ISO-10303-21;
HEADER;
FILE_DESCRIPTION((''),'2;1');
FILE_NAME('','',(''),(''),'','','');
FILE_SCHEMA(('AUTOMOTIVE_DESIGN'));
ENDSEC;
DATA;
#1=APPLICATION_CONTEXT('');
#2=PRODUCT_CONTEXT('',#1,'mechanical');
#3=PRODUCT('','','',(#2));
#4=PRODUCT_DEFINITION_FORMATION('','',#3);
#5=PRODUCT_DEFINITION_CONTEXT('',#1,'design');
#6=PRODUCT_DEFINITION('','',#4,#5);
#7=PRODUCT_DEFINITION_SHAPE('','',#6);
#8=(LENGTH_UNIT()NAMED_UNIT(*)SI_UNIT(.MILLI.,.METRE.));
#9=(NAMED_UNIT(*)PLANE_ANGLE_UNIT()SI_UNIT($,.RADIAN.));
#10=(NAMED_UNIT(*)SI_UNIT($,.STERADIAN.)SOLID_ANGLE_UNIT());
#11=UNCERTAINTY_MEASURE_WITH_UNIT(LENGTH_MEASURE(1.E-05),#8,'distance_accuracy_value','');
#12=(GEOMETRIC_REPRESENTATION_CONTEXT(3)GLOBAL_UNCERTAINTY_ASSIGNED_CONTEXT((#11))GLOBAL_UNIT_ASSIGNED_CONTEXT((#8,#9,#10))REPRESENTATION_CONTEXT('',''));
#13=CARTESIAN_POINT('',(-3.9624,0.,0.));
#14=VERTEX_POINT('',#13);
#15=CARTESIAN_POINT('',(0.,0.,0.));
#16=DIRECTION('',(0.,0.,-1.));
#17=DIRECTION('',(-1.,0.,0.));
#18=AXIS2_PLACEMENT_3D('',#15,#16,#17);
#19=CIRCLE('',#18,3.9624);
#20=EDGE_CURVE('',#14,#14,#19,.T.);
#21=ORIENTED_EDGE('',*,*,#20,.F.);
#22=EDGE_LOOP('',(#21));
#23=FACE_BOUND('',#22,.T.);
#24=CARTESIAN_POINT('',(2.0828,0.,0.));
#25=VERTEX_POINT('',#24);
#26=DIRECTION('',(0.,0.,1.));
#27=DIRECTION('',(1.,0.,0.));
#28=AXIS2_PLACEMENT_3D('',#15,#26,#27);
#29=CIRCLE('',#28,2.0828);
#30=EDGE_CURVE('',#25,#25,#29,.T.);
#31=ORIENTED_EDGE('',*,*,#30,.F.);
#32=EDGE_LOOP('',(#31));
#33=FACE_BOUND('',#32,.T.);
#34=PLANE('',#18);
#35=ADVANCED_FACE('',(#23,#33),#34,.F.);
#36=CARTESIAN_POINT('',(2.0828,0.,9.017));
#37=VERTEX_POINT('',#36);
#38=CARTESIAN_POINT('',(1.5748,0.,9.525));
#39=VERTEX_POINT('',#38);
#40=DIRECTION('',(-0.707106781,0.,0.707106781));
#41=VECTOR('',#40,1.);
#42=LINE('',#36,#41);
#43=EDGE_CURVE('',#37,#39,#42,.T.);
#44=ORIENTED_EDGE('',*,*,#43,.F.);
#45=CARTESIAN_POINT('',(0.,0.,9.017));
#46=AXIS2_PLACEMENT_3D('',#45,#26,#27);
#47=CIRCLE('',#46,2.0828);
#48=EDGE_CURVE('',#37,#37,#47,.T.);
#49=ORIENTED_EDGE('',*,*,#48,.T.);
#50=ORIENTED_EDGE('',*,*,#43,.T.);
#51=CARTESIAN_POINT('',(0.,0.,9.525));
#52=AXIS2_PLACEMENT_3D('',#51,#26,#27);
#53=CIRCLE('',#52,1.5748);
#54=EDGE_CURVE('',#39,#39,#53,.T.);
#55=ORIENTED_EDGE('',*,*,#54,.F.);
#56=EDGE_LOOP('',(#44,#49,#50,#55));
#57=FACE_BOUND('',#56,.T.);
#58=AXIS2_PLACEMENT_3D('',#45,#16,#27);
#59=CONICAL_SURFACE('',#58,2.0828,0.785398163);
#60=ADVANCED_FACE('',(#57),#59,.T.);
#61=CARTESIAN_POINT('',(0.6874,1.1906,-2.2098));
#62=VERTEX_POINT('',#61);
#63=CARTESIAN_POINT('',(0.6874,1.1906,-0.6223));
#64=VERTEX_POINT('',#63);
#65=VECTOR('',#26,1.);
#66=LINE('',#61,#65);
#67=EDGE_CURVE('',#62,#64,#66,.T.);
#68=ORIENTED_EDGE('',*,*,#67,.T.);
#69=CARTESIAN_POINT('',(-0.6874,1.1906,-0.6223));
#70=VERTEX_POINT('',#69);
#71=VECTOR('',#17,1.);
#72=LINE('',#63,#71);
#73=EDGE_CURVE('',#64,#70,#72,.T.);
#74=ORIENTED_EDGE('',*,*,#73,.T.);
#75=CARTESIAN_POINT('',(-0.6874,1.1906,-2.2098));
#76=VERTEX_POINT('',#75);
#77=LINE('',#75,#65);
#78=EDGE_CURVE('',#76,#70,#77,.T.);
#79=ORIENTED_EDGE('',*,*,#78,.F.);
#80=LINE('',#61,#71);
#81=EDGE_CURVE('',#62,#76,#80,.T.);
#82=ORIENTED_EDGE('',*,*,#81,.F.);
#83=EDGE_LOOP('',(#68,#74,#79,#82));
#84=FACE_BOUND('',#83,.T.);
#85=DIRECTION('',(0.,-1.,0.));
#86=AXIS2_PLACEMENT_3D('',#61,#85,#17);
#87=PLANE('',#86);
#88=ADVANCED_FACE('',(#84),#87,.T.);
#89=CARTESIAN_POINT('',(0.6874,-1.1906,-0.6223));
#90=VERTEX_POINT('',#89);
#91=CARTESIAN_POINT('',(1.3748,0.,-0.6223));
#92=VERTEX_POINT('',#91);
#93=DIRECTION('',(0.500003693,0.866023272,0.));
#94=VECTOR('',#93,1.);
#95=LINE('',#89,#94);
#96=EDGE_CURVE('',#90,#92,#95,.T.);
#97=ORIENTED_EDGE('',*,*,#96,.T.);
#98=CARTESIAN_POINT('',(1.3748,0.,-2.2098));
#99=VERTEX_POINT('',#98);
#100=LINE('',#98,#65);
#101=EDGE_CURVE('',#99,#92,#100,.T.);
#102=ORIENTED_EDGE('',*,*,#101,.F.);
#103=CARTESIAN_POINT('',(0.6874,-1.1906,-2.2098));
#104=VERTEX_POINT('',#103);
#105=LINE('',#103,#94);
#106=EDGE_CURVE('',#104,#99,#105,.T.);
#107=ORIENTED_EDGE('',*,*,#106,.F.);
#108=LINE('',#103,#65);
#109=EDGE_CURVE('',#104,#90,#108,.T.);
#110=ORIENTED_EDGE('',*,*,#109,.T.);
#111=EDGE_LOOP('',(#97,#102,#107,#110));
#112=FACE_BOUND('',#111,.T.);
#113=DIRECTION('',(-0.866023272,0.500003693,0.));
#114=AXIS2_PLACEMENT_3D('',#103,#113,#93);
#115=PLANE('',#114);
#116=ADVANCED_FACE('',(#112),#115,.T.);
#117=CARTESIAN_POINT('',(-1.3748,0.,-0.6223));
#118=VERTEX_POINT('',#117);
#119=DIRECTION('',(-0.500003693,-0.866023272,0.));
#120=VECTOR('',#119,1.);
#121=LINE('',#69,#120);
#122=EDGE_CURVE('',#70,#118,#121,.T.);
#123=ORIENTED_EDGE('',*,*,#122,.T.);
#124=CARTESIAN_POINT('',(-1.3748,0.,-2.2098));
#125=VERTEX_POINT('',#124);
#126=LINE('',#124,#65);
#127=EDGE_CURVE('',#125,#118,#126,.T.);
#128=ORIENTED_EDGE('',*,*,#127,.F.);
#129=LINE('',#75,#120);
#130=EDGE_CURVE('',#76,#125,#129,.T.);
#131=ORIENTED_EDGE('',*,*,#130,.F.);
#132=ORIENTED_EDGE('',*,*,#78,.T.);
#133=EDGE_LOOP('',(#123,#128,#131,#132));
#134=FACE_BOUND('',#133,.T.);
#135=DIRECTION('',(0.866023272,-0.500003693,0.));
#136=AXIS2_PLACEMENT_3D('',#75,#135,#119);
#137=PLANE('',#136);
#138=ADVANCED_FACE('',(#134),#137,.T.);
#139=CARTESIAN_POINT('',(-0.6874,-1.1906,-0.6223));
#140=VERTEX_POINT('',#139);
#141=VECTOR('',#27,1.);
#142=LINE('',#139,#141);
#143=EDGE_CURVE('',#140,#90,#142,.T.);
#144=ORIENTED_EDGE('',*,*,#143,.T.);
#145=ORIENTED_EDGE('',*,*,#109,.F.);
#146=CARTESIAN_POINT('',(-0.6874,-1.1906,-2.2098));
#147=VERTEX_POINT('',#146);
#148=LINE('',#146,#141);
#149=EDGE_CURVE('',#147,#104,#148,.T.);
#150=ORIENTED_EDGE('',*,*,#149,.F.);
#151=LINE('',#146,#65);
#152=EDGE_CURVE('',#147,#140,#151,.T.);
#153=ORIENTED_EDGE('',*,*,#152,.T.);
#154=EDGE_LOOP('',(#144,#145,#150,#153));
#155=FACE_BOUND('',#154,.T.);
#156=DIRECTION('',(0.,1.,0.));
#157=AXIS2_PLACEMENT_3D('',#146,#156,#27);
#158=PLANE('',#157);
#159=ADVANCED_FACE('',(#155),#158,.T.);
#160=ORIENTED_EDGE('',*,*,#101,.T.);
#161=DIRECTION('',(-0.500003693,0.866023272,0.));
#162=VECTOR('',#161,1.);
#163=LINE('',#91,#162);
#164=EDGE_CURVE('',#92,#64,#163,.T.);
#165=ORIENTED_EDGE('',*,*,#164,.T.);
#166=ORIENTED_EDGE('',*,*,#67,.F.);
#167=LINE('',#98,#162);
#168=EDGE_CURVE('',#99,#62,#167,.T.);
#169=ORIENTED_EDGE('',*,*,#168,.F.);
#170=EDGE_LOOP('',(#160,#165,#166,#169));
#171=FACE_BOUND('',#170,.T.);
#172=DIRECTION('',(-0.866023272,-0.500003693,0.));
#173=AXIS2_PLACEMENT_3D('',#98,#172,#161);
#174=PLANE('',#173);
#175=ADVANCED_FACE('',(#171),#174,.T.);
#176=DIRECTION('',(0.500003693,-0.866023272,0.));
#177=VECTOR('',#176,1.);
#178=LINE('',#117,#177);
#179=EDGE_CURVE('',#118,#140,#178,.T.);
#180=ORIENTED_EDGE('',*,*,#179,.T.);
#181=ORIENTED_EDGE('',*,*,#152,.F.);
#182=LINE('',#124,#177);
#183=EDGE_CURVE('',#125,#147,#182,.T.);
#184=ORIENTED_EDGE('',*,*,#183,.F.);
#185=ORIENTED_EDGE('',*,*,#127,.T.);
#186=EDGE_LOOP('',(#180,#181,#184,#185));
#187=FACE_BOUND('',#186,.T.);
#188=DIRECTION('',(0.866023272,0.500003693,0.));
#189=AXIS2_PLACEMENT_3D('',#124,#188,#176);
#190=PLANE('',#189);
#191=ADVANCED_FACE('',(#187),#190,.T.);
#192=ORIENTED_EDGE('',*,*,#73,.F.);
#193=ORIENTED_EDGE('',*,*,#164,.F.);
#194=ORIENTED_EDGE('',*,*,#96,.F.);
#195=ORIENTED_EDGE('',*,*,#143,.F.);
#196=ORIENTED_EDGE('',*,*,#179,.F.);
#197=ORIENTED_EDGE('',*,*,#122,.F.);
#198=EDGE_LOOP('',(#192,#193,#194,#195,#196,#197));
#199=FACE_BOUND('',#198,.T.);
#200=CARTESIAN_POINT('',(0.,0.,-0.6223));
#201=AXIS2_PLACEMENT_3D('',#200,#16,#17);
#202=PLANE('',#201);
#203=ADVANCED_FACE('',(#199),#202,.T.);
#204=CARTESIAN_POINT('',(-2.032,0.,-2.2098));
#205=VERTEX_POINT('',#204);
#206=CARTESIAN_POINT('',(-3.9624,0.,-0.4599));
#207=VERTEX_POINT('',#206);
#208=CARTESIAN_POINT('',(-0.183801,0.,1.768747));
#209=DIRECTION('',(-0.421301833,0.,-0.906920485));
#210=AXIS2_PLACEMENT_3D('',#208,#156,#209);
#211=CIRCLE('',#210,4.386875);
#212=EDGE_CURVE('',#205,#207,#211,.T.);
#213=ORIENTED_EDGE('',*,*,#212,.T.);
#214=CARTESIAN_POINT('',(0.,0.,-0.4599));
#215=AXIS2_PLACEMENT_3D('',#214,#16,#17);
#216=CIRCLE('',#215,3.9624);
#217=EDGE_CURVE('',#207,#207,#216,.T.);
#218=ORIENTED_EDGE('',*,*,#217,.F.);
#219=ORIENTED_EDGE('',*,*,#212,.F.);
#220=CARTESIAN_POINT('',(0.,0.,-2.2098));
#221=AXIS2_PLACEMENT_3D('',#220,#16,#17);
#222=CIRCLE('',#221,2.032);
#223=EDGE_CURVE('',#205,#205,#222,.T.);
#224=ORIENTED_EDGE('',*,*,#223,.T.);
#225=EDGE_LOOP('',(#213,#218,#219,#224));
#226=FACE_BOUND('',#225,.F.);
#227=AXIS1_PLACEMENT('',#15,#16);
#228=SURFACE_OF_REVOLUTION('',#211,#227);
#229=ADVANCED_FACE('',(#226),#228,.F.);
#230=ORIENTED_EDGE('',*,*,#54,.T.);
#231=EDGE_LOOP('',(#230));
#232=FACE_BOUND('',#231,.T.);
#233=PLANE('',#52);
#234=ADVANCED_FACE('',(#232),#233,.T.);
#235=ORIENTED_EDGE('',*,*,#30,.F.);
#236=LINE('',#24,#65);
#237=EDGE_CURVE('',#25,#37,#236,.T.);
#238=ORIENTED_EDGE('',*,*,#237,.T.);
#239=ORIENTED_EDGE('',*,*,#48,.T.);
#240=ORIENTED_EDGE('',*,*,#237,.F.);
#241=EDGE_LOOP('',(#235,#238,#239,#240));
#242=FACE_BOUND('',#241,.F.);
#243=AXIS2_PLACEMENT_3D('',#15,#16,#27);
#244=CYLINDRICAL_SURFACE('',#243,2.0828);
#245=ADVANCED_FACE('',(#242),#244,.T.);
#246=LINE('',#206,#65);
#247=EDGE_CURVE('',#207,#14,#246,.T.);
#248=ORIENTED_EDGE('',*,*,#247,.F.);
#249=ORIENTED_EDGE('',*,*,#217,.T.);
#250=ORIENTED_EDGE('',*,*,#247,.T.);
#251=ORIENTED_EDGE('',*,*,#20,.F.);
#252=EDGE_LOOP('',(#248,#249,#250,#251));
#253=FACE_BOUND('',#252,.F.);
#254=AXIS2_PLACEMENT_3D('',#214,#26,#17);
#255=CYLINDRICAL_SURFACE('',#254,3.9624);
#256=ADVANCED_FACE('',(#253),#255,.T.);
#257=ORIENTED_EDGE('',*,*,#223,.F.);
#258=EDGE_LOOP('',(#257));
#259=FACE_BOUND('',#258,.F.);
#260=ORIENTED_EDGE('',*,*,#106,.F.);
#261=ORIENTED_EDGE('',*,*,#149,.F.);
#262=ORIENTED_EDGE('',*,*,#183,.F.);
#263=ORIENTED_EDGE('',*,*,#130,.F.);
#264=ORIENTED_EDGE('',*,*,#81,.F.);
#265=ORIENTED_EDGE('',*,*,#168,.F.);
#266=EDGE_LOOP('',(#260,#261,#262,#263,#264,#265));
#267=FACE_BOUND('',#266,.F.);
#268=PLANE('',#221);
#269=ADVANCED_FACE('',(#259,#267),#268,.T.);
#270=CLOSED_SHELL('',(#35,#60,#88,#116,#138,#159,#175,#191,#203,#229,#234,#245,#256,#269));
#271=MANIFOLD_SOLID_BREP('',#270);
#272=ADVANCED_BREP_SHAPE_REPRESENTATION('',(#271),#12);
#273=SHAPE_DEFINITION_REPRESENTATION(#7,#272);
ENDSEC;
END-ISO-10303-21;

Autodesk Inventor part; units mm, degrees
ref_plane "YZ Plane" through (0, 0, 0) normal (1, 0, 0) x (0, 1, 0)
ref_plane "XZ Plane" through (0, 0, 0) normal (0, 1, 0) x (-1, 0, 0)
ref_plane "XY Plane" through (0, 0, 0) normal (0, 0, 1) x (1, 0, 0)
sketch "Sketch1" plane through (0, 0, 0) normal (0, 0, 1) x (1, 0, 0)
  circle A0 centre (0, 0) radius 2.0828
  dimension "d0" = 4.1656
extrude "Extrusion1" add sketch "Sketch1" along normal blind 9.525
sketch "Sketch2" plane through (0, 0, 0) normal (0, 1, 0) x (-1, 0, 0)
  line L0 (0, 0) -> (0, -2.2098)
  line L1 (0, 0) -> (3.9624, 0)
  line L2 (0, -2.2098) -> (2.032, -2.2098)
  line L3 (3.9624, 0) -> (3.9624, 3.6562) construction
  arc A0 (2.032, -2.2098) -> (3.9624, -0.4599) centre (0.1837, 1.7689) ccw
  line L4 (4.5847, 0.6553) -> (4.5847, -0.2608) construction
  line L5 (3.9624, -0.4599) -> (3.9624, 0)
  dimension "d3" = 2.2098
  dimension "d6" = 2.032
  dimension "d19" = 3.9624
revolve "Revolution1" add sketch "Sketch2" angle 360 about axis through (0, 0, 0) along (0, 0, -1)
sketch "Sketch3" plane through (0, 0, -2.2098) normal (0, 0, -1) x (-1, 0, 0)
  circle A0 centre (0, 0) radius 2.032 projected
  line L0 (-0.6874, 1.1906) -> (0.6874, 1.1906)
  line L1 (0.6874, 1.1906) -> (1.3748, 0)
  line L2 (1.3748, 0) -> (0.6874, -1.1906)
  line L3 (0.6874, -1.1906) -> (-0.6874, -1.1906)
  line L4 (-0.6874, -1.1906) -> (-1.3748, 0)
  line L5 (-1.3748, 0) -> (-0.6874, 1.1906)
  dimension "d8" = 2.3813
extrude "Extrusion2" cut sketch "Sketch3" against normal blind 1.5875 contours L0 L1 L2 L3 L4 L5
chamfer "Chamfer1" distance 0.508 angle 45 1 edges at (-2.0828, 0, 9.525)
thread "Thread1" size "8-32 UNC" class "2A" standard "ANSI Unified Screw Threads" full length
properties part number "10-32 x500 button head" material "Steel"
